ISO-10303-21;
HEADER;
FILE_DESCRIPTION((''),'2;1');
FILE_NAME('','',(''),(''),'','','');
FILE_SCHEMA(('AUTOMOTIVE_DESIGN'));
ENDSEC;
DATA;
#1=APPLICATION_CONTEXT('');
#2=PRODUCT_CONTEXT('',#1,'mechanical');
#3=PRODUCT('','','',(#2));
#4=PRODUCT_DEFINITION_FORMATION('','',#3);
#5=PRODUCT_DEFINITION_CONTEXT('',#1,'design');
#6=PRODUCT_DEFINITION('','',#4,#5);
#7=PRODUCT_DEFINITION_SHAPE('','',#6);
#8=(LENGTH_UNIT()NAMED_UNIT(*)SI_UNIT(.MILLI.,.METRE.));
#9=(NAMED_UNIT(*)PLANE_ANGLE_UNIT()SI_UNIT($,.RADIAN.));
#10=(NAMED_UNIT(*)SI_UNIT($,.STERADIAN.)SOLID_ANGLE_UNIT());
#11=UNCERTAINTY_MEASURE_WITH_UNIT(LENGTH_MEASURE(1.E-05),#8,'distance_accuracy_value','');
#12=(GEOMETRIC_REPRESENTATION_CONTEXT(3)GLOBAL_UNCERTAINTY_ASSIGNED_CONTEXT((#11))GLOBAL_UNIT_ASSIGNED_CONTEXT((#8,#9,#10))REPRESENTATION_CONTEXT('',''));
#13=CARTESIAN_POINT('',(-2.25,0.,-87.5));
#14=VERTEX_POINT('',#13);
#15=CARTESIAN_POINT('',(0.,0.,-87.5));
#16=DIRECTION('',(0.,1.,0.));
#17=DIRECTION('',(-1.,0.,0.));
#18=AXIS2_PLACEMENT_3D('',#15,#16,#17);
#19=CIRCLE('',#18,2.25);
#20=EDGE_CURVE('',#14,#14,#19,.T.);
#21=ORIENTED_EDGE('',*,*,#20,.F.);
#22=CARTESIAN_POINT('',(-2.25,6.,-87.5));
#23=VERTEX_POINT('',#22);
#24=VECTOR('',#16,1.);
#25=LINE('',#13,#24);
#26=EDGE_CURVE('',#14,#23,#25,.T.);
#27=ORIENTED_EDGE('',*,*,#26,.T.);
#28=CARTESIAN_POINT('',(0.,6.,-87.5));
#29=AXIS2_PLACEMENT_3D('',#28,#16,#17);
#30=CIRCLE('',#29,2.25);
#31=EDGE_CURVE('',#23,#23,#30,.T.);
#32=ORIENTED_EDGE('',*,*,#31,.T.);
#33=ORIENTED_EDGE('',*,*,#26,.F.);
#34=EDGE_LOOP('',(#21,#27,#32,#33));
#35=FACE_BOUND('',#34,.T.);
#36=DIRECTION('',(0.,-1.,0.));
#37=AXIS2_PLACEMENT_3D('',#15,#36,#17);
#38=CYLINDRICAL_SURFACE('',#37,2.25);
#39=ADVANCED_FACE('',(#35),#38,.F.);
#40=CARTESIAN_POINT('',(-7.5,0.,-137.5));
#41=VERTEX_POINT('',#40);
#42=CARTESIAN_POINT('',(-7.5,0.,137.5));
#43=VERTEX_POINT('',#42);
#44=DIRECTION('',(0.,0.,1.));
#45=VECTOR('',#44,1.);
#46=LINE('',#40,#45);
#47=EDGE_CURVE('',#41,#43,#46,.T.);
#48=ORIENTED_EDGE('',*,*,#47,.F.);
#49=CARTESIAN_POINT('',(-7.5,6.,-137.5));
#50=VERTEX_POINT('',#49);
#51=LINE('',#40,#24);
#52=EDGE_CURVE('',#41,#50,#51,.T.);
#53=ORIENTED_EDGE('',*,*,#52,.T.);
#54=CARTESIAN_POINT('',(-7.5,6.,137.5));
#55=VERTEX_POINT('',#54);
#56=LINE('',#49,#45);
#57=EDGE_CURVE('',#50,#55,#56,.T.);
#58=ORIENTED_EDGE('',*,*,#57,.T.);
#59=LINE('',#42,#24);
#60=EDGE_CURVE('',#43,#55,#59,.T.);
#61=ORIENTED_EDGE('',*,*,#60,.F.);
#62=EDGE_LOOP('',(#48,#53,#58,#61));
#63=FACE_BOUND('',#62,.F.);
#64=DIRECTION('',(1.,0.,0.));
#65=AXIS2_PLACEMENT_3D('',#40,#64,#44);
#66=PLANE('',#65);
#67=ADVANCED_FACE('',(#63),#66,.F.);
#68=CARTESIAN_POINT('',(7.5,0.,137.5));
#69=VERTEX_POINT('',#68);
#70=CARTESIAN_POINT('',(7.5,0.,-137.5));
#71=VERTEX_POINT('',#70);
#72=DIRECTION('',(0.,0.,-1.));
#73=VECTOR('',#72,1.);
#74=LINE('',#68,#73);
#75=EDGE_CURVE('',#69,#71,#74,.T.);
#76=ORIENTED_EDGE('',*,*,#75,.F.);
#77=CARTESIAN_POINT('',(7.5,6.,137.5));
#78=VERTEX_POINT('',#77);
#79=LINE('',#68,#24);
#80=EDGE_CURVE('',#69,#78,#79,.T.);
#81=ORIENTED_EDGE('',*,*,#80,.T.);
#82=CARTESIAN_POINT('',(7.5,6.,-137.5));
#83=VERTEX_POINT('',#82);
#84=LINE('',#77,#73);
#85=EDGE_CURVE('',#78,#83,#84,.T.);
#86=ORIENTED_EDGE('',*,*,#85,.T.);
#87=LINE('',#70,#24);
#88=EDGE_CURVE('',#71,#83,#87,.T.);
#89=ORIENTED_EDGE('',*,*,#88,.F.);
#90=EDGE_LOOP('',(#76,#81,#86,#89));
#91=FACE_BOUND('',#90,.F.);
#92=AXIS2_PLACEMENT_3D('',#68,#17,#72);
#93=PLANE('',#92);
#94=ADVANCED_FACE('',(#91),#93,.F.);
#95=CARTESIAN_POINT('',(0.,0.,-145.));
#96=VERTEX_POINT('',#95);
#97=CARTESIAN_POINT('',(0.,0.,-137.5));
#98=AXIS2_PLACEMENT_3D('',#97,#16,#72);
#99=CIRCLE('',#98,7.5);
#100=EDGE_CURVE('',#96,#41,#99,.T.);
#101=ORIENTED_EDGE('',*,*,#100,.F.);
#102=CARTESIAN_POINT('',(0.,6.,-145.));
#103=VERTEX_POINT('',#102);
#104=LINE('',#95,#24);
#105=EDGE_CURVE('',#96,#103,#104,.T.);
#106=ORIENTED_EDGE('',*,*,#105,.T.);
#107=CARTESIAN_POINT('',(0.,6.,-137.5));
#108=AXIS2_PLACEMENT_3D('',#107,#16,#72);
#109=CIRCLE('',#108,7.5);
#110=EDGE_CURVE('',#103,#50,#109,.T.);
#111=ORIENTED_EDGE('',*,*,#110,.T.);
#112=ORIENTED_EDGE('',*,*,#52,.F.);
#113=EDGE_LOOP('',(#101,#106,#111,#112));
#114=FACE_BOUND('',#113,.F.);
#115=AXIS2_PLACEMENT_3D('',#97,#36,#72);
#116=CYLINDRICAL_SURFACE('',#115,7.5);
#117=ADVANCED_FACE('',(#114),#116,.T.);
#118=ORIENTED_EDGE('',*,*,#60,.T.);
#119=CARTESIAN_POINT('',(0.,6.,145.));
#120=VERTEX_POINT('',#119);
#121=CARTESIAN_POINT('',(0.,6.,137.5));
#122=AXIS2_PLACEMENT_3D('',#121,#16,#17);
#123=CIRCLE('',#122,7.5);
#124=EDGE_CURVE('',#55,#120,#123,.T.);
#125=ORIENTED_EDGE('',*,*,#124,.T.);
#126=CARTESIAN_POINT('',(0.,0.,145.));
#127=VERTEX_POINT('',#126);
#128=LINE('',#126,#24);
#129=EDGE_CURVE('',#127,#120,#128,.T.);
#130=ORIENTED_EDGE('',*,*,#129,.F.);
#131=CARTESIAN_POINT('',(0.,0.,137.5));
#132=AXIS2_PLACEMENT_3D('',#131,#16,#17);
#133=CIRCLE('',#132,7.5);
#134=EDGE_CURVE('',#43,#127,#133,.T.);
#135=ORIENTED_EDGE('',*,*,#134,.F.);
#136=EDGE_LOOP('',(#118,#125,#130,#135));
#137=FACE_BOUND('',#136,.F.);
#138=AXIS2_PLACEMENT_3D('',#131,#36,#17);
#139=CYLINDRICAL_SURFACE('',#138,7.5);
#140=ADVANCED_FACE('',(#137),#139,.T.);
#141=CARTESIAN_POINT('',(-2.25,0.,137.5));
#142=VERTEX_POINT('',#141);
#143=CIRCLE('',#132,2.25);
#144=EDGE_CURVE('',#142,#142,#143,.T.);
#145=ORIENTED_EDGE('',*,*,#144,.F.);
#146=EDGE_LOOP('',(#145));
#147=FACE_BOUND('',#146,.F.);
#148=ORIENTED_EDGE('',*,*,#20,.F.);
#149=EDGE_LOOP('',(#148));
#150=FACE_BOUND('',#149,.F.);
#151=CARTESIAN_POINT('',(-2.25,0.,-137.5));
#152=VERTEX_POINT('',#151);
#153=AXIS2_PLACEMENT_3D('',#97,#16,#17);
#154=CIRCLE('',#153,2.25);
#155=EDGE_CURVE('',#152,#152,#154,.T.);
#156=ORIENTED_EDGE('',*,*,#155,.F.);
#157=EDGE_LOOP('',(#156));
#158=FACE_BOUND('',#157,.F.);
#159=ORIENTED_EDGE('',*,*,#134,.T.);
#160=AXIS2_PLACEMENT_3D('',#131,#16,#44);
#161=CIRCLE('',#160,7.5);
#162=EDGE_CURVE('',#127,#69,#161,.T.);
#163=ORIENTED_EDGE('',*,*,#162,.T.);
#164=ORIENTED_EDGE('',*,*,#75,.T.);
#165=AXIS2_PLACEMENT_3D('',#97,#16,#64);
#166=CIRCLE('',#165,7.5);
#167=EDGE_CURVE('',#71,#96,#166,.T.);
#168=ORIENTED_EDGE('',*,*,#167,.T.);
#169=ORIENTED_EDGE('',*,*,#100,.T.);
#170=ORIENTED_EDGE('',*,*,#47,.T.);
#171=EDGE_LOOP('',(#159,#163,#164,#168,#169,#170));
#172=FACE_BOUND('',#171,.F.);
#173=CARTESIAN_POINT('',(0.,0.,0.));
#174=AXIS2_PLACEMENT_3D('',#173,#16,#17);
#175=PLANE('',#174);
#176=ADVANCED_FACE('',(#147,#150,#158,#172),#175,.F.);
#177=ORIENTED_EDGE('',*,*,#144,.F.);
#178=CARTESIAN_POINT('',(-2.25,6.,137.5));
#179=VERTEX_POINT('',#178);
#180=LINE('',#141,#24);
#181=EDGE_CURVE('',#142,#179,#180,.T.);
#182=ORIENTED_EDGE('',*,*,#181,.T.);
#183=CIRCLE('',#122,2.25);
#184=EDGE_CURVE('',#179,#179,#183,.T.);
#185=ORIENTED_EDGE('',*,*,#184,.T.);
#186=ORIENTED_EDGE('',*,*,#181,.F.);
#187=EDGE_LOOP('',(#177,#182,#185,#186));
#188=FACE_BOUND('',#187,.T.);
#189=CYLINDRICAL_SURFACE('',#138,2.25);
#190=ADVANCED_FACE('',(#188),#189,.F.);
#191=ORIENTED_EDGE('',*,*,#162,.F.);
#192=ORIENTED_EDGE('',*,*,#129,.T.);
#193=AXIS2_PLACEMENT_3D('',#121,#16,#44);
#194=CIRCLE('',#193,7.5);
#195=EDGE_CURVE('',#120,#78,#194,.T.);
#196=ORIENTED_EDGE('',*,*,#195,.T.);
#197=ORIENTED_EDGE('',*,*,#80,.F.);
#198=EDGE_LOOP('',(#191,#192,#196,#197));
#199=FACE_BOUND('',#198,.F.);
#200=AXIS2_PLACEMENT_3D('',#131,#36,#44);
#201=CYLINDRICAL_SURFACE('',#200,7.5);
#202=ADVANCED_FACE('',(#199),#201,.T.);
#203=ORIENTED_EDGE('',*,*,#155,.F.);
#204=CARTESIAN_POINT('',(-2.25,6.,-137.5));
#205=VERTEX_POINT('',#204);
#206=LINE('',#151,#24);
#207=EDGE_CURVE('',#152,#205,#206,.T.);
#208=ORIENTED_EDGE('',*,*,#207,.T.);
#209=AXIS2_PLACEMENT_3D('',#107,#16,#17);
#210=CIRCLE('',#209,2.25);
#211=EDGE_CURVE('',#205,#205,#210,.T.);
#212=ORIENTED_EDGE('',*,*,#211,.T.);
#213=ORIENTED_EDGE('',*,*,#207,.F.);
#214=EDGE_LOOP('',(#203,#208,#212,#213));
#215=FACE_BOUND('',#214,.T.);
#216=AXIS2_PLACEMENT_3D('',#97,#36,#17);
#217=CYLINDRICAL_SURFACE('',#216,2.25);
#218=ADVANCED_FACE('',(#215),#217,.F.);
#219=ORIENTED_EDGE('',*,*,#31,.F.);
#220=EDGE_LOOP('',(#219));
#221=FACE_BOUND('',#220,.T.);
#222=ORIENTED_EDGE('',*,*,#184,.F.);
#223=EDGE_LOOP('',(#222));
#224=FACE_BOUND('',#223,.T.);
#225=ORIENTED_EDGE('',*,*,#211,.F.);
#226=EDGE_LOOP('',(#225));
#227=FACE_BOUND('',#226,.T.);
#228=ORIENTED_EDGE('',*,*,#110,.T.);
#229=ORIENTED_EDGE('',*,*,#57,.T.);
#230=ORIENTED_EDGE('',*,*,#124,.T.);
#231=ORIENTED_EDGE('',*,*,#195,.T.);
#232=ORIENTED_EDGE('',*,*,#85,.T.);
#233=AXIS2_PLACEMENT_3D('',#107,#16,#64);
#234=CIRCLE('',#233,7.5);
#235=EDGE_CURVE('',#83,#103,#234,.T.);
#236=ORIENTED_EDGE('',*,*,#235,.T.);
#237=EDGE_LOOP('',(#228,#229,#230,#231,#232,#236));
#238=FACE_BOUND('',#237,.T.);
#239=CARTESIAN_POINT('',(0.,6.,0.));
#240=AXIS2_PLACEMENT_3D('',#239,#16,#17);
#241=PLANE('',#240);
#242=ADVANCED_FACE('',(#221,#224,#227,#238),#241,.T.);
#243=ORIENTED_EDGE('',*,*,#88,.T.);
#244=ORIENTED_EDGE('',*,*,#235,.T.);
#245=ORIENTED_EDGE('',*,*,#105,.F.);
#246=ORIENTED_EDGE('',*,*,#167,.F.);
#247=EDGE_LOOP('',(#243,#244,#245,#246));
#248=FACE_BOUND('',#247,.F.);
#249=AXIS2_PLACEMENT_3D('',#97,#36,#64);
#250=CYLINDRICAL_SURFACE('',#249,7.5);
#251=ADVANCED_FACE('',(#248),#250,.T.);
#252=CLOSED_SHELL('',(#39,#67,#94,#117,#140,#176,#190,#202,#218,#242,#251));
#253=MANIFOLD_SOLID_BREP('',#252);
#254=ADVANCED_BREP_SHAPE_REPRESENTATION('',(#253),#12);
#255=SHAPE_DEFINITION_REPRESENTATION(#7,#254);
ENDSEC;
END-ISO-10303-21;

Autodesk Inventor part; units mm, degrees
ref_plane "YZ Plane" through (0, 0, 0) normal (1, 0, 0) x (0, 1, 0)
ref_plane "XZ Plane" through (0, 0, 0) normal (0, 1, 0) x (-1, 0, 0)
ref_plane "XY Plane" through (0, 0, 0) normal (0, 0, 1) x (1, 0, 0)
sketch "Szkic3" plane through (0, 0, 0) normal (0, 1, 0) x (-1, 0, 0)
  line L0 (0, -145) -> (0, -145)
  line L1 (7.5, -137.5) -> (7.5, 137.5)
  line L2 (0, 145) -> (0, 145)
  line L3 (-7.5, 137.5) -> (-7.5, -137.5)
  circle A0 centre (0, 137.5) radius 2.25
  circle A1 centre (0, -137.5) radius 2.25
  circle A2 centre (0, -87.5) radius 2.25
  arc A3 (7.5, 137.5) -> (0, 145) centre (0, 137.5) ccw
  arc A4 (0, 145) -> (-7.5, 137.5) centre (0, 137.5) ccw
  arc A5 (0, -145) -> (7.5, -137.5) centre (0, -137.5) ccw
  arc A6 (-7.5, -137.5) -> (0, -145) centre (0, -137.5) ccw
  point P0 (0, 0)
  point P1 (7.5, 145)
  point P2 (7.5, -145)
  point P3 (-7.5, 145)
  point P4 (0, 145)
  point P5 (7.1121, 137.5)
  point P6 (-7.1121, 137.5)
  point P7 (7.1121, -137.5)
  point P8 (0, -145)
  point P9 (-7.1121, -137.5)
  point P10 (0, 145)
  dimension "d11" = 15
  dimension "d12" = 290
  dimension "d13" = 4.5
  dimension "d14" = 4.5
  dimension "d15" = 4.5
  dimension "d16" = 7.5
  dimension "d17" = 7.5
extrude "Wyciągnięcie proste2" add sketch "Szkic3" along normal blind 6
properties part number "GraspArm"
